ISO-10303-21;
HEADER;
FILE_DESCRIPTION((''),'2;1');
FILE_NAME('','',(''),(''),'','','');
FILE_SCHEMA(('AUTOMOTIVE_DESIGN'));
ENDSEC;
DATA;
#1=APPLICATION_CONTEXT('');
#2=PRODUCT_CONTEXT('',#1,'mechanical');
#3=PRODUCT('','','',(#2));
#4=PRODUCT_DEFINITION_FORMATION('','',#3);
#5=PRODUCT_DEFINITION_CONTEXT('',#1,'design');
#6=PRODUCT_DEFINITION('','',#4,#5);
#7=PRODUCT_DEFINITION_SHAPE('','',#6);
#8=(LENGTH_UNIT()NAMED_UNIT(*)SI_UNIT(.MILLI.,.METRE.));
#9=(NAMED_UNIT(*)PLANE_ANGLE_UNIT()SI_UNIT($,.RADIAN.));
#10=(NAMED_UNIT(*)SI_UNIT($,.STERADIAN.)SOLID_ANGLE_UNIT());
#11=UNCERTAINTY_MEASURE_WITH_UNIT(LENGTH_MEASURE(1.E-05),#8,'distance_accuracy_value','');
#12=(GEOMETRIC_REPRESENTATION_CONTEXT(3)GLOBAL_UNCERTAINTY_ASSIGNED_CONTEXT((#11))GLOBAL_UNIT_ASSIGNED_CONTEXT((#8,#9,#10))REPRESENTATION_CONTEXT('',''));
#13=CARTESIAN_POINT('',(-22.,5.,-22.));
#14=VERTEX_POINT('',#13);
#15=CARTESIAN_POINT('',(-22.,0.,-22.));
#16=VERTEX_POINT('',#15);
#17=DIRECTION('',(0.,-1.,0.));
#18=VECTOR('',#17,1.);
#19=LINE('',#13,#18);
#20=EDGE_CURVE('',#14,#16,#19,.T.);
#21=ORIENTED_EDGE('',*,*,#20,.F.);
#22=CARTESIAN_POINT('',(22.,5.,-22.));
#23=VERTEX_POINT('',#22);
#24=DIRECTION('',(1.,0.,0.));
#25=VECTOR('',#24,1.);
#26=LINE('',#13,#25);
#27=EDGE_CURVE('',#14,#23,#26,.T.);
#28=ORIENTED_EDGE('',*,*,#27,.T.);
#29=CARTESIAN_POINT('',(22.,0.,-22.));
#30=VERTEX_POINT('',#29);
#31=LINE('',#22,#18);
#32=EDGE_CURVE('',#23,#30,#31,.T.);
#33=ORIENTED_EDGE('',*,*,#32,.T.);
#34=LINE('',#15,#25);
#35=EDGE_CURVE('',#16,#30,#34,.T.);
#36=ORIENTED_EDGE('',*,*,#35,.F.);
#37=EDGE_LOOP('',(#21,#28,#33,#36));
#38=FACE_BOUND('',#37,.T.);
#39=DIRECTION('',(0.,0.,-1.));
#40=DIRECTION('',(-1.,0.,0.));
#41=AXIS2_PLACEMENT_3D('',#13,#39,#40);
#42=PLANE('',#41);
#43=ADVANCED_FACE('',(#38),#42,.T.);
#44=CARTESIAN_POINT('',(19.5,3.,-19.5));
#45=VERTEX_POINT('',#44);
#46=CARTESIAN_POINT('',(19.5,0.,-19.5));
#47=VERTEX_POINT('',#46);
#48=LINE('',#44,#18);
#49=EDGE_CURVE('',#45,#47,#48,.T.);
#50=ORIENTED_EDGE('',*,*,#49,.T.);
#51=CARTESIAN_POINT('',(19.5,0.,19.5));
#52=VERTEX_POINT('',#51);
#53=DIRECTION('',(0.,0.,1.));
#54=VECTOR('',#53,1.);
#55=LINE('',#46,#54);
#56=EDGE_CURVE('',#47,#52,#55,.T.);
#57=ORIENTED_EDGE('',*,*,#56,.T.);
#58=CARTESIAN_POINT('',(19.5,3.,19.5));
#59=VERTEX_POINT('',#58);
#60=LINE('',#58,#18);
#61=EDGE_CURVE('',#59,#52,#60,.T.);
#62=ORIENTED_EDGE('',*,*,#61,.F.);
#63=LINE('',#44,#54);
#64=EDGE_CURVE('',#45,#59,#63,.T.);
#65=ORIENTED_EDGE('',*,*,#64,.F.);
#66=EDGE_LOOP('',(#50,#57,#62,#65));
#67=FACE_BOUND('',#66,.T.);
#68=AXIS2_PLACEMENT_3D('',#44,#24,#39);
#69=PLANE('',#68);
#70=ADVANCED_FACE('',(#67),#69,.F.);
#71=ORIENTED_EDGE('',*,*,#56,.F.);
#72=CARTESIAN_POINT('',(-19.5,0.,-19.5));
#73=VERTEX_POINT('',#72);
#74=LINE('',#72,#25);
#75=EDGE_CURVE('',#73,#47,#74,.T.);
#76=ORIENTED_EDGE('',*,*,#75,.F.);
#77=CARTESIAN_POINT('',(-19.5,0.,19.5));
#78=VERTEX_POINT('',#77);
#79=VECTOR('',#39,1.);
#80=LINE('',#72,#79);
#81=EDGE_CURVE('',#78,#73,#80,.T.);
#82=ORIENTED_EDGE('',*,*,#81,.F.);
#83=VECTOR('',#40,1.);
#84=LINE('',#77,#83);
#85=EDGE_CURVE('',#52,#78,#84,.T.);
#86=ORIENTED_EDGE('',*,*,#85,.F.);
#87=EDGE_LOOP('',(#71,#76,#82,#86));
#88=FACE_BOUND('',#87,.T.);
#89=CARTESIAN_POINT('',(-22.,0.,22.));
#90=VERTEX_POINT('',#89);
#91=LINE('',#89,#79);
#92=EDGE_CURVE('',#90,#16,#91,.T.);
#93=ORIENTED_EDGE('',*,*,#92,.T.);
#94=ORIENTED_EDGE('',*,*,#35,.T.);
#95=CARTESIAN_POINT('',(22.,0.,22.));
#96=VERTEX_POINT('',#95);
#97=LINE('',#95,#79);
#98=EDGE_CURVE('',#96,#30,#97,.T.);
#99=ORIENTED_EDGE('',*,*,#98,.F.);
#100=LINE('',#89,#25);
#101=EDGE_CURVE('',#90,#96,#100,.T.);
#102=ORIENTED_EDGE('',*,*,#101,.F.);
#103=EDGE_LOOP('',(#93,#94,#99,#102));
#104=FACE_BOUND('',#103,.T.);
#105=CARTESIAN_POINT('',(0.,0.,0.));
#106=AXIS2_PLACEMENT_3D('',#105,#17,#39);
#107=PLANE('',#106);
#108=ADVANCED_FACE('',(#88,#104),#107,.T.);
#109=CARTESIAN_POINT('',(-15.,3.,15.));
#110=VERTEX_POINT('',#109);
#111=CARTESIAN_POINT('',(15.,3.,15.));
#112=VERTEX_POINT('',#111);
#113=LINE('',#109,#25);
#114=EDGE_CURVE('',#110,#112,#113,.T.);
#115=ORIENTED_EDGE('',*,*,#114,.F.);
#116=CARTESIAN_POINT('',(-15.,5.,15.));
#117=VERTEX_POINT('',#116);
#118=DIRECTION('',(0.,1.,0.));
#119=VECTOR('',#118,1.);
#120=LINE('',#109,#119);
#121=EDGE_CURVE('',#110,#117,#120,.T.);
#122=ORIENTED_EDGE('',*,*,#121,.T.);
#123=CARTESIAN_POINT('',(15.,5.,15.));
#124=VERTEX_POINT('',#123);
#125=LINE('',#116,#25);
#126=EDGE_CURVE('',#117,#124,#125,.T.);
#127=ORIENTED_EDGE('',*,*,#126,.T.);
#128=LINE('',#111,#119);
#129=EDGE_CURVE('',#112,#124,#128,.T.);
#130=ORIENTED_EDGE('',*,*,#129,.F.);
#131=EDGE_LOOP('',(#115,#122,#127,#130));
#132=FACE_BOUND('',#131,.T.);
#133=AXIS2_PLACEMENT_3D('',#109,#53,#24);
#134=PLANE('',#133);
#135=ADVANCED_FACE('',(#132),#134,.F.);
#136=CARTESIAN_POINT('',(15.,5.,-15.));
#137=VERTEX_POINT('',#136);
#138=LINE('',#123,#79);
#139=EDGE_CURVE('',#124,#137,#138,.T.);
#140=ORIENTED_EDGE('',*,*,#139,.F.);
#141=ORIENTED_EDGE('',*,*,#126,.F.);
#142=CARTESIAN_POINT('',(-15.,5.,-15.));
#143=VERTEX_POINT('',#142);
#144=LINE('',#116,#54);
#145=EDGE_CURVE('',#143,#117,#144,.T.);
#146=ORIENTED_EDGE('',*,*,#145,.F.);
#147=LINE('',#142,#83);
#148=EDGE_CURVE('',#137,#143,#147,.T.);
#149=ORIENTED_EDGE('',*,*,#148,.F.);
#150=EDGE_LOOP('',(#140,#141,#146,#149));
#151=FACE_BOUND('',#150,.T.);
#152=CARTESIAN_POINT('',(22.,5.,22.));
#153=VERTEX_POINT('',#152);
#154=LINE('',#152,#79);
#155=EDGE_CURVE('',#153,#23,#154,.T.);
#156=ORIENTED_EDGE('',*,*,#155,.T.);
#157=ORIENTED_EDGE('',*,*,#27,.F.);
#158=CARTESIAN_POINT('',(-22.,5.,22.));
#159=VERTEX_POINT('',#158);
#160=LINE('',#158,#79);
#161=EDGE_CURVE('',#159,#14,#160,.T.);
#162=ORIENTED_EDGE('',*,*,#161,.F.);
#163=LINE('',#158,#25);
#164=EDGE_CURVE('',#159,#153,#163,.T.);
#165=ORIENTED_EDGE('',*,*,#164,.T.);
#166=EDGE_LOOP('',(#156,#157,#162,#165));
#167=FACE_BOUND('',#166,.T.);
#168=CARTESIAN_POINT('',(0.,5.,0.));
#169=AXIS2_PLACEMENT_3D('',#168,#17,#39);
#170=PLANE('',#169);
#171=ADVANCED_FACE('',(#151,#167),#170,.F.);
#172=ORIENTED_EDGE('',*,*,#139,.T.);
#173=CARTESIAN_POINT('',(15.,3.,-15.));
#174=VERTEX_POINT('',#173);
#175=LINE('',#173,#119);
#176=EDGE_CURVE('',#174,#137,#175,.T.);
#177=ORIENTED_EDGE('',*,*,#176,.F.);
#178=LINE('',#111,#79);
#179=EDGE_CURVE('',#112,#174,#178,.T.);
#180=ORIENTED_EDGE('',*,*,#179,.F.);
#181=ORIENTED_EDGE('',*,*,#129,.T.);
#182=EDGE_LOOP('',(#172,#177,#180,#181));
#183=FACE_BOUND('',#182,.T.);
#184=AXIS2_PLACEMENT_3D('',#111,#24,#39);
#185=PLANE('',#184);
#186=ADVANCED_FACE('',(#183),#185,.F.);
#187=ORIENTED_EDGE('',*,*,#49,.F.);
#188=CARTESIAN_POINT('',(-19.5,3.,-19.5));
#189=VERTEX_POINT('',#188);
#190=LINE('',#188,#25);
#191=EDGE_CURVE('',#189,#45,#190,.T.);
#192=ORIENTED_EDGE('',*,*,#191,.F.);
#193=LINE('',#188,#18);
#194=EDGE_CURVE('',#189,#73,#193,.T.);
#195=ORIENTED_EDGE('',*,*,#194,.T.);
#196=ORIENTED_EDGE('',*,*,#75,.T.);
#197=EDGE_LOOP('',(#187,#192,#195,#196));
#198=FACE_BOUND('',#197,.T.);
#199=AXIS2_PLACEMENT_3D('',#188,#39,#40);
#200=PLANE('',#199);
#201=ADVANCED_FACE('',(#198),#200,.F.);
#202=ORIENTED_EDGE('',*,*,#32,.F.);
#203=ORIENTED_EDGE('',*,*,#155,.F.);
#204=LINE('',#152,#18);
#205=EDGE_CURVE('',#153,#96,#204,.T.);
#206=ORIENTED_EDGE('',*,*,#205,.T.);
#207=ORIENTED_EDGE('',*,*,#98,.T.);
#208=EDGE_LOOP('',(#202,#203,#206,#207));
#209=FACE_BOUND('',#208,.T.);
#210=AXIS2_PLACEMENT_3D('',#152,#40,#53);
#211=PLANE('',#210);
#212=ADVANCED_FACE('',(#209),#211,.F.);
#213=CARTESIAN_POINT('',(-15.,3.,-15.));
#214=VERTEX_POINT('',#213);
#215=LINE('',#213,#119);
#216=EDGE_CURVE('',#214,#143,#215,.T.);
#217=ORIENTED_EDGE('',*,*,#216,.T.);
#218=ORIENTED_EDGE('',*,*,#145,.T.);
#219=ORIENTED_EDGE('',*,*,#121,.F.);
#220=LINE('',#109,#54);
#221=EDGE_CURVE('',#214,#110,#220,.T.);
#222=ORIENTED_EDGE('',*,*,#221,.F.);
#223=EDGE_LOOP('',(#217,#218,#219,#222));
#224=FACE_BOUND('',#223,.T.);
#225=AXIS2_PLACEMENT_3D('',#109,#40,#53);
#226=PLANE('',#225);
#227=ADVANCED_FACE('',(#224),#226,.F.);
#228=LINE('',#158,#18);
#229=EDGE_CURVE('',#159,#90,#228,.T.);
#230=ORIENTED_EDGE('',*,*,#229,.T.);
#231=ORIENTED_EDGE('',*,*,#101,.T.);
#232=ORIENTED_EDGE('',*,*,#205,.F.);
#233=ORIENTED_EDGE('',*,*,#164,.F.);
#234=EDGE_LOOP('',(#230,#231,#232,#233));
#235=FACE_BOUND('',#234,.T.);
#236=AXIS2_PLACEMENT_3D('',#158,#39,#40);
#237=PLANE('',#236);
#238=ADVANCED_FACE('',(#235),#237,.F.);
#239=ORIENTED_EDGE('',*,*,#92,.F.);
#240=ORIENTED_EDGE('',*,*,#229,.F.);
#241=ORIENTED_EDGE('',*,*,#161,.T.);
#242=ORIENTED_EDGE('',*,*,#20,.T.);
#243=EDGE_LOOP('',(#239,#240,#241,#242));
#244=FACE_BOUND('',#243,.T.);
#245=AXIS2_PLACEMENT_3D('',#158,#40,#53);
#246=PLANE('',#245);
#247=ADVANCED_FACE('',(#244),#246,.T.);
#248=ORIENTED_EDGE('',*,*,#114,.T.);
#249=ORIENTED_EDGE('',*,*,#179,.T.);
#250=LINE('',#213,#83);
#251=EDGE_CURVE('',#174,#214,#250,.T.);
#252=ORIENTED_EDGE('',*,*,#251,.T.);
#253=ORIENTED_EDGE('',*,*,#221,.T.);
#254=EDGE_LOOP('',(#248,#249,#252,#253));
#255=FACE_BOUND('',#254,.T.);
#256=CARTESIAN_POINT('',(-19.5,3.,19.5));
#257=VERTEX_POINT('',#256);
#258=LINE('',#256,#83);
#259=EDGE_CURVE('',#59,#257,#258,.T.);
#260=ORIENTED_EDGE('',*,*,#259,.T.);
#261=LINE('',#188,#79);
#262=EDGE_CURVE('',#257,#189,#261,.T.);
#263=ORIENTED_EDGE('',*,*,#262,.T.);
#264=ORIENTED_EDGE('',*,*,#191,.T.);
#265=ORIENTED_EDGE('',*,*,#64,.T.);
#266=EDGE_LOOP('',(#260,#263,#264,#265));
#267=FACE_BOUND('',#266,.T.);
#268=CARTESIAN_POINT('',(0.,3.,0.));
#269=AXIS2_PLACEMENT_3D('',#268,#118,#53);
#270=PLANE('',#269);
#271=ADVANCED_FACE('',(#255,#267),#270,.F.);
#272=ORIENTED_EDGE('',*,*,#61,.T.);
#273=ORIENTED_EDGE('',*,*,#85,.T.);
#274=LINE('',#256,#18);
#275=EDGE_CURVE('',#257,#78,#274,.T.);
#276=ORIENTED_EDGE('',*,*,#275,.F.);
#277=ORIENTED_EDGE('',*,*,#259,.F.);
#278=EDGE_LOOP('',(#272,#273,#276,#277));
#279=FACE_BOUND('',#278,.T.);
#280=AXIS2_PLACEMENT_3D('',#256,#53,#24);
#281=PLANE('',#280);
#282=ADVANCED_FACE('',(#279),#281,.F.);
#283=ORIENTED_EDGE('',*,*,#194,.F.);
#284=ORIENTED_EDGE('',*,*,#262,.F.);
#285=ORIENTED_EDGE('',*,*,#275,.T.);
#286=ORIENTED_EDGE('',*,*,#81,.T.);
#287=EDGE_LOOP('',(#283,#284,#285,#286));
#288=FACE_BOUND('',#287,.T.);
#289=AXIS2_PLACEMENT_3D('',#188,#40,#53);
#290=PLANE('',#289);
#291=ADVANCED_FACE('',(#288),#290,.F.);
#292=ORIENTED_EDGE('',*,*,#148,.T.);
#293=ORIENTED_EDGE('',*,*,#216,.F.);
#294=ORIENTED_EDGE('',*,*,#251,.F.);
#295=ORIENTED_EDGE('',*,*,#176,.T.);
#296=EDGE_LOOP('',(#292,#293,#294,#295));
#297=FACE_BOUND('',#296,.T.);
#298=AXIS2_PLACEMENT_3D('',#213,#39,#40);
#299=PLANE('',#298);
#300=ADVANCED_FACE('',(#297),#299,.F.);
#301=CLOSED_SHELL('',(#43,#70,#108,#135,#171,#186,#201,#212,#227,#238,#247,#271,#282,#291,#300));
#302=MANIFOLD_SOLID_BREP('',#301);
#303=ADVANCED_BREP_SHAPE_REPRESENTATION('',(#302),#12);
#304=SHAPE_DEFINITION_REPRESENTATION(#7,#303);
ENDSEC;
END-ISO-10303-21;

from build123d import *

# Parameters (mm, degrees)
SKETCH1_W           = 44
SKETCH1_H           = 44
BOSS_EXTRUDE1_DEPTH = 5
SKETCH3_W           = 30
SKETCH3_H           = 30
CUT_EXTRUDE1_DEPTH  = 2
SKETCH5_W           = 39
SKETCH5_H           = 39
CUT_EXTRUDE3_DEPTH  = 3


with BuildPart() as part:
    # Sketch1 → Boss-Extrude1 (new body)
    with BuildSketch(Plane(origin=(0, 0, 0), x_dir=(1, 0, 0), z_dir=(0, 1, 0))):
        Rectangle(SKETCH1_W, SKETCH1_H)
    extrude(amount=BOSS_EXTRUDE1_DEPTH)

    # Sketch3 → Cut-Extrude1 (cut)
    with BuildSketch(Plane(origin=(0, 5, 0), x_dir=(1, 0, 0), z_dir=(0, 1, 0))):
        Rectangle(SKETCH3_W, SKETCH3_H)
    extrude(amount=-CUT_EXTRUDE1_DEPTH, mode=Mode.SUBTRACT)

    # Sketch5 → Cut-Extrude3 (cut)
    with BuildSketch(Plane.XZ):
        Rectangle(SKETCH5_W, SKETCH5_H)
    extrude(amount=-CUT_EXTRUDE3_DEPTH, mode=Mode.SUBTRACT)


solid = part.part
